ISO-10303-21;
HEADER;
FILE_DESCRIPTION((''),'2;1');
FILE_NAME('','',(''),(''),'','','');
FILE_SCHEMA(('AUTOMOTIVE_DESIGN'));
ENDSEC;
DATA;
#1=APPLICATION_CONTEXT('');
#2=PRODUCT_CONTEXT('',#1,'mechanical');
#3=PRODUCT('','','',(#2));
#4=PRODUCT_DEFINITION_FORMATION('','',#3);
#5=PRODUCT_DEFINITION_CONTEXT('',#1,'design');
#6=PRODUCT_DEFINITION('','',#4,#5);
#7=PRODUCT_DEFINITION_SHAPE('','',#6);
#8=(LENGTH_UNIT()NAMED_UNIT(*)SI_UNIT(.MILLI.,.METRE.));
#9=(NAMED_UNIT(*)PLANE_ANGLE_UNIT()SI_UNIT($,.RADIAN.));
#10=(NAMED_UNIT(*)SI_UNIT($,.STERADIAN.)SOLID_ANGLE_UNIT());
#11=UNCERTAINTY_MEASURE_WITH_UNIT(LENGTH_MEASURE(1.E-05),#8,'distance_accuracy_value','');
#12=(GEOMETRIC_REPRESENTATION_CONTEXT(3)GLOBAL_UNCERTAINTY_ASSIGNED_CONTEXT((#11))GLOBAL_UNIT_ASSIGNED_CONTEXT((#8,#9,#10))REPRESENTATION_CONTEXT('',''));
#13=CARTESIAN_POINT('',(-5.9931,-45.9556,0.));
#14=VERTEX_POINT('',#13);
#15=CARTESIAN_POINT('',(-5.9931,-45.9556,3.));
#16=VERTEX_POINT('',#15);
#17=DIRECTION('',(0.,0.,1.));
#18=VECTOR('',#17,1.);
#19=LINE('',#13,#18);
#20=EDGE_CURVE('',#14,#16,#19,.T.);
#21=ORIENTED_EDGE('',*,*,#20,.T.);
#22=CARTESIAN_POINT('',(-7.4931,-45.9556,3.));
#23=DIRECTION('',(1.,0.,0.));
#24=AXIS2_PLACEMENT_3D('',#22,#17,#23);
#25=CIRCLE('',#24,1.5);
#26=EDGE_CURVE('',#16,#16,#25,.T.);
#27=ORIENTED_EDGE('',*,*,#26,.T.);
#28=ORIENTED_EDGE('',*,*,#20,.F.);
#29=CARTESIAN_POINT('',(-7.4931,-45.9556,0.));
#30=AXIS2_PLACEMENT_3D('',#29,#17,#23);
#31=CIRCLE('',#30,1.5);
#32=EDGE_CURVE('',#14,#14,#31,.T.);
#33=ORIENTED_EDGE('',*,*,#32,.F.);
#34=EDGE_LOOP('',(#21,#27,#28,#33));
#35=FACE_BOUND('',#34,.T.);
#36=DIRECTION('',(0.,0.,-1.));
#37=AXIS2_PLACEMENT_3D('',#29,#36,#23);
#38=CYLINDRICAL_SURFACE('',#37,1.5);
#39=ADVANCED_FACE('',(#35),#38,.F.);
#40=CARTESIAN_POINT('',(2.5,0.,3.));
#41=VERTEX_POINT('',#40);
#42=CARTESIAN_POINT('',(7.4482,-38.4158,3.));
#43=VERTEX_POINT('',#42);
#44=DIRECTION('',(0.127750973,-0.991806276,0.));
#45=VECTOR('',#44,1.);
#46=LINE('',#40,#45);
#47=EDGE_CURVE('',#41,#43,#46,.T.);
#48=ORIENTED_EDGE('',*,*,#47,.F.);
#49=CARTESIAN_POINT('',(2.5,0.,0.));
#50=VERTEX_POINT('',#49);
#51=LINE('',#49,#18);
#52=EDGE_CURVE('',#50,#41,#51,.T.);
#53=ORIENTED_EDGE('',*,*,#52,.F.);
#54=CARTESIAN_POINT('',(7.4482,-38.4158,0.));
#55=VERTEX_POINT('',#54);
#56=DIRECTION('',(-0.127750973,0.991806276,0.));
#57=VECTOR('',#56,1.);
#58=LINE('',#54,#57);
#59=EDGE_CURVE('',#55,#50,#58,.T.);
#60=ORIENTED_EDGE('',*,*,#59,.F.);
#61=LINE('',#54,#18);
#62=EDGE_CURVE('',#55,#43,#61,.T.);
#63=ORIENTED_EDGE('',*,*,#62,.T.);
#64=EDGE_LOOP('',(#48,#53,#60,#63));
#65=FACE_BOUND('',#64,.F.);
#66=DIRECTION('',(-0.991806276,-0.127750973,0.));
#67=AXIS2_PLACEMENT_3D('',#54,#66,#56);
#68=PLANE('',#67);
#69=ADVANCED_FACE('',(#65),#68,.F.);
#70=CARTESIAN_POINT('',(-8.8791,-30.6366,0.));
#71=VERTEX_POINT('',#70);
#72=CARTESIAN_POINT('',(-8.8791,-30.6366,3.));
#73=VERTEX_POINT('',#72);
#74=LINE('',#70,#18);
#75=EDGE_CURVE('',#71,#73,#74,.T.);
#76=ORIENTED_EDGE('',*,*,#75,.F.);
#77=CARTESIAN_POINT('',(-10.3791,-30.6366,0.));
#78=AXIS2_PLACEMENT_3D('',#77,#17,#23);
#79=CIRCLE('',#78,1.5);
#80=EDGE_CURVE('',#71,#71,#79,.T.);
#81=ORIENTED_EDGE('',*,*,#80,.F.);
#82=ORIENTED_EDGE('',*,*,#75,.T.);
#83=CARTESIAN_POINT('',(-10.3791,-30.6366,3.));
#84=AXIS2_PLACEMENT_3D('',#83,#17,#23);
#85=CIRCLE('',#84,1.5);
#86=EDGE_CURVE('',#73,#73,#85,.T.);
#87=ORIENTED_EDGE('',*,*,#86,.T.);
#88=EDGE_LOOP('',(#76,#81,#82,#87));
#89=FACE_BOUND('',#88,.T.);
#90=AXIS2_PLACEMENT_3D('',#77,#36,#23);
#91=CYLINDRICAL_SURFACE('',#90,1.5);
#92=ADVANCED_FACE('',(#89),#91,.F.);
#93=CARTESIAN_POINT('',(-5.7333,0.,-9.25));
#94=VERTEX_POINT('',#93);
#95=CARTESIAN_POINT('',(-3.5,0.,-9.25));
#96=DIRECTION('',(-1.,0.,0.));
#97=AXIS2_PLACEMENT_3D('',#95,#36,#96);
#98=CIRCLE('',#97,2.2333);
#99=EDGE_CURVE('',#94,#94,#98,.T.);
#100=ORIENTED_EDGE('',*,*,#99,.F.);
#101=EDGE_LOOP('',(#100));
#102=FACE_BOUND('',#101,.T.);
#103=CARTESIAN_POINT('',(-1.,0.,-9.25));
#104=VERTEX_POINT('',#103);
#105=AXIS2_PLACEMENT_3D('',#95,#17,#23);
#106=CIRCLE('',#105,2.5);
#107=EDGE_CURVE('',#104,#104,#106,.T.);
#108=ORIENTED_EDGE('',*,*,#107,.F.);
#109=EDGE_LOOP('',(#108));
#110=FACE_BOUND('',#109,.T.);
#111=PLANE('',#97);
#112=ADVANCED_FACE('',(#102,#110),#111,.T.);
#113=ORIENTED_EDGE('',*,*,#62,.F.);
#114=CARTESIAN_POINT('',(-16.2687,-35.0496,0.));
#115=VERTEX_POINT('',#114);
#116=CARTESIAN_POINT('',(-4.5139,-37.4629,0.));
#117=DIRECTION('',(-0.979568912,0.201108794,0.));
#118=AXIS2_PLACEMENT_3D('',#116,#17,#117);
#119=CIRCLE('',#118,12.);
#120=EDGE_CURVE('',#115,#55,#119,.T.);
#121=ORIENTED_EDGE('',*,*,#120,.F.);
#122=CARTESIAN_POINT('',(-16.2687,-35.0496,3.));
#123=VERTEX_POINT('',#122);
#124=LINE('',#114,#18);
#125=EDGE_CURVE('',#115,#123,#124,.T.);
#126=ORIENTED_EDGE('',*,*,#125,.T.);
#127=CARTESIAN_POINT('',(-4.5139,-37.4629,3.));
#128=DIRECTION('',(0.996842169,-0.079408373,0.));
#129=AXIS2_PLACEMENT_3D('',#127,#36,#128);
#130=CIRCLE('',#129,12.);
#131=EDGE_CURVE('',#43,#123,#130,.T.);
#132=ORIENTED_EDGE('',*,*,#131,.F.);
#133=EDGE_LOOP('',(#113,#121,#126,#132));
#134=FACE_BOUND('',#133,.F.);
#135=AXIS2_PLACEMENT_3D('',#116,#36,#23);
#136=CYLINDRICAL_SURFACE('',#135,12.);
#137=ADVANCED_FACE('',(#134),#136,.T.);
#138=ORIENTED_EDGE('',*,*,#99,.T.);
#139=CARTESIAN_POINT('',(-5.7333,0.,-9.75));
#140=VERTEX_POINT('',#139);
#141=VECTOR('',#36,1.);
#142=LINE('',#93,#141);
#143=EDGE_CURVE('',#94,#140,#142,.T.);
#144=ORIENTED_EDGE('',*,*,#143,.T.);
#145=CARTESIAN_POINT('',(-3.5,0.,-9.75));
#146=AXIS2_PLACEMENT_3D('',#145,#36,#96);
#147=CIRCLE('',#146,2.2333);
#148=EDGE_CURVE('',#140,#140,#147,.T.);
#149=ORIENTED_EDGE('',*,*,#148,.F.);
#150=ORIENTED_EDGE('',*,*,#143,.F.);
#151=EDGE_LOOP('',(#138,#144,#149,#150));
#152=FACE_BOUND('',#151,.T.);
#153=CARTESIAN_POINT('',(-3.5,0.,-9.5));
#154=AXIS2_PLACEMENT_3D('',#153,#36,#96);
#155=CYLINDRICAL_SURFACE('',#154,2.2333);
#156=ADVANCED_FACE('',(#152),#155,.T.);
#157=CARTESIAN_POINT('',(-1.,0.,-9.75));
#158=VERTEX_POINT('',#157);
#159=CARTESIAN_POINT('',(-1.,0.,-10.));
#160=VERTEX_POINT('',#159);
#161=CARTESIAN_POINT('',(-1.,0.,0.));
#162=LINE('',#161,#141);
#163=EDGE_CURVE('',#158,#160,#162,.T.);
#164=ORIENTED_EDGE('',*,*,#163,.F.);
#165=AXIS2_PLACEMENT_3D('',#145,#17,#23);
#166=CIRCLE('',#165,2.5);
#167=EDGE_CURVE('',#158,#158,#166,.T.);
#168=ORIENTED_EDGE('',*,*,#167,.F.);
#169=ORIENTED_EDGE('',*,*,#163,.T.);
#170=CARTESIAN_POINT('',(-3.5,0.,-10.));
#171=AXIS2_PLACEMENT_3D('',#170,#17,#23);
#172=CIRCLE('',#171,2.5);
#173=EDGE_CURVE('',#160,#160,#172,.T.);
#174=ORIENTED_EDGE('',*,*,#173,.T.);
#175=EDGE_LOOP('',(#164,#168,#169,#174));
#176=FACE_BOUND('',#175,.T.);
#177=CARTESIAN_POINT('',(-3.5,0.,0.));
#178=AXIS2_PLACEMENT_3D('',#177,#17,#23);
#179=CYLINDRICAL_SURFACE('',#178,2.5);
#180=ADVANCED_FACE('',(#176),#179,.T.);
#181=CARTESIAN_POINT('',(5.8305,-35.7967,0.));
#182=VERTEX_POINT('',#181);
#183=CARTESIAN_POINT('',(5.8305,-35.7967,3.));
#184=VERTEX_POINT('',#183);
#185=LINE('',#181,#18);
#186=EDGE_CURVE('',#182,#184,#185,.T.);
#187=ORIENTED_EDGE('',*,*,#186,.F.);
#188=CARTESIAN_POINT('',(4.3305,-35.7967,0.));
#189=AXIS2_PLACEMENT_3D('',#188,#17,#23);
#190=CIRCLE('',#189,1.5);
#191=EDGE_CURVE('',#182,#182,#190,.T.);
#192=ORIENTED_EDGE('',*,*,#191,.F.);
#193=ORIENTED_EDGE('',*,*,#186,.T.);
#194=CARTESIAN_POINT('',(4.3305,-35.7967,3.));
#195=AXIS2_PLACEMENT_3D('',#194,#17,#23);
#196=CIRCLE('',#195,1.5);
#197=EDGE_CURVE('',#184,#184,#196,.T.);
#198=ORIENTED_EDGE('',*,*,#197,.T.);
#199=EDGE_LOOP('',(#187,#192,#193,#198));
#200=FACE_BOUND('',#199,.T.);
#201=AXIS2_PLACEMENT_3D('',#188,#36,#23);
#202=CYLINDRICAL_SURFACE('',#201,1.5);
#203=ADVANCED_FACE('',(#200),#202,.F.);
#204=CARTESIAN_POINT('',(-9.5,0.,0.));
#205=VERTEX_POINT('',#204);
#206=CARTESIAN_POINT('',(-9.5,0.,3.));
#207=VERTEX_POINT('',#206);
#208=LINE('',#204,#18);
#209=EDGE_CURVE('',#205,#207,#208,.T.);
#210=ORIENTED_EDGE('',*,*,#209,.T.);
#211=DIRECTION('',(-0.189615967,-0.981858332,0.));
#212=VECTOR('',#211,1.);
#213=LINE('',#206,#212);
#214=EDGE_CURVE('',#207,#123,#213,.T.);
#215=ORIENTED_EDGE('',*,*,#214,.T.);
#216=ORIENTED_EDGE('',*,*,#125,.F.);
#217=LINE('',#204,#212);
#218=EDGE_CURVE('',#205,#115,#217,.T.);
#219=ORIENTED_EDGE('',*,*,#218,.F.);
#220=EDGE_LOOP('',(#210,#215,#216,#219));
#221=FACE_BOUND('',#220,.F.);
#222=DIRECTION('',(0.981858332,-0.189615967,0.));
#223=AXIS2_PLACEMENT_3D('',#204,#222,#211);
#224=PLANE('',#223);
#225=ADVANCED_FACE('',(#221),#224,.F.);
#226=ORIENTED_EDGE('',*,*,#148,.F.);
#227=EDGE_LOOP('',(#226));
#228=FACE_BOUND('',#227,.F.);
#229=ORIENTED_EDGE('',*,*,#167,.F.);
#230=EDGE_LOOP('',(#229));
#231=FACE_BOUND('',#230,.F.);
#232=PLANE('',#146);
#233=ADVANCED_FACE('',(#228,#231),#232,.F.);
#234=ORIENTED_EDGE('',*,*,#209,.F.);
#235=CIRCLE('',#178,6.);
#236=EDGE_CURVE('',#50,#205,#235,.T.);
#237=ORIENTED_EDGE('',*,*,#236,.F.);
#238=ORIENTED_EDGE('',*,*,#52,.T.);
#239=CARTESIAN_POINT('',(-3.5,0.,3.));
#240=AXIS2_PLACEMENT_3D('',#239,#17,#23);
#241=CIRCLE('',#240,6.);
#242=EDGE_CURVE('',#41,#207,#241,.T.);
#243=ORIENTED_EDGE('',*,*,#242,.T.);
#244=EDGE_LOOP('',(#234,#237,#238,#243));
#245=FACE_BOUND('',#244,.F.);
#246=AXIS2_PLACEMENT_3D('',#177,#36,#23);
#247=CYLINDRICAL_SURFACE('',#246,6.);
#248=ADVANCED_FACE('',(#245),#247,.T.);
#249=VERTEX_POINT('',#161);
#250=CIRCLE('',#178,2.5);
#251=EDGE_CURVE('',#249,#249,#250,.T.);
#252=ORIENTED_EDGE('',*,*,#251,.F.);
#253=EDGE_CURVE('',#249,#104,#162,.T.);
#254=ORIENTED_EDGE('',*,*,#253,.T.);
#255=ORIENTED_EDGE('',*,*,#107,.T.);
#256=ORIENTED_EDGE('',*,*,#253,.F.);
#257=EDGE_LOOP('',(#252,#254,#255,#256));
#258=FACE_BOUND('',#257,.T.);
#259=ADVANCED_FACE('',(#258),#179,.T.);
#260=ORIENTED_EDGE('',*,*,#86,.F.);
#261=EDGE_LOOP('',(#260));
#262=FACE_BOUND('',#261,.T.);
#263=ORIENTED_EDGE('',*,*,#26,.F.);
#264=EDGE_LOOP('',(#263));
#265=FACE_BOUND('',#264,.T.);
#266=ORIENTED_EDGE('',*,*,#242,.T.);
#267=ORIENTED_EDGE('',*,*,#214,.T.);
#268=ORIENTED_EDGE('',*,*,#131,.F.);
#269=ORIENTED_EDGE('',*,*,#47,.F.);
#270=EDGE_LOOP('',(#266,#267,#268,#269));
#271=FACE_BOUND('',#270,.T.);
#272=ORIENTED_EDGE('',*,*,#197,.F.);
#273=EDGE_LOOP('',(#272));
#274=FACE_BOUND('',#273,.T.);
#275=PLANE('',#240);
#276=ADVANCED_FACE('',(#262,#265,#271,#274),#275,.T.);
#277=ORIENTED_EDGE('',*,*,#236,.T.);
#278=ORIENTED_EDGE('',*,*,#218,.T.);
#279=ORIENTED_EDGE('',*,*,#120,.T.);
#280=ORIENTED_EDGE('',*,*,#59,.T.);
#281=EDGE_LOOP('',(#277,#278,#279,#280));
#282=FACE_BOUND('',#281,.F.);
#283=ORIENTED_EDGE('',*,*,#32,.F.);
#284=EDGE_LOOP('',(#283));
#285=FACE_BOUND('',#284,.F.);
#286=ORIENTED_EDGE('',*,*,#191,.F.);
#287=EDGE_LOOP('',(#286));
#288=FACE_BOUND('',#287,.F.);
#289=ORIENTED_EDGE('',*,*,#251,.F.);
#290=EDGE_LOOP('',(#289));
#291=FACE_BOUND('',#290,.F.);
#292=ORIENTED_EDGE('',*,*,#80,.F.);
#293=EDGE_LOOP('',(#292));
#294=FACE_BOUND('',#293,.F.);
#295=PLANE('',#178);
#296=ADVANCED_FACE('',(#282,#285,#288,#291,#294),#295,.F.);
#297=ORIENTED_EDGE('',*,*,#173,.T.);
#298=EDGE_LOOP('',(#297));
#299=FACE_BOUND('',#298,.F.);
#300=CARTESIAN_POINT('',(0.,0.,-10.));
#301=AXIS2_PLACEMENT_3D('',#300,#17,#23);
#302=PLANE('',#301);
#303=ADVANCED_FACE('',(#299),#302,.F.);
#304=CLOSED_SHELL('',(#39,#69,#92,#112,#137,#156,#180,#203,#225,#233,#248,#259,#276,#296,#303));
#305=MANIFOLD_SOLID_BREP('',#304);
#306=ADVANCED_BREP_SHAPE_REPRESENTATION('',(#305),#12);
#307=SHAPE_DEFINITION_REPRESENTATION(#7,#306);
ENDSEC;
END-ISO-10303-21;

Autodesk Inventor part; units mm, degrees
ref_plane "YZ Plane" through (0, 0, 0) normal (1, 0, 0) x (0, 1, 0)
ref_plane "XZ Plane" through (0, 0, 0) normal (0, 1, 0) x (-1, 0, 0)
sketch "Esquisse1" plane through (0, 0, 0) normal (0, 0, 1) x (1, 0, 0)
  circle A0 centre (-3.5, 0) radius 2.5 projected
  circle A1 centre (-3.5, 0) radius 2.5
  point P0 (0, 0)
ref_plane "Plan de construction1" through (-13, -9.5, -10) normal (0, 0, -1) x (0, 1, 0)
extrude "Extrusion1" add sketch "Esquisse1" against normal up to surface (10 mm away)
ref_plane "Plan de construction2" through (-3.5, 0, -9.5) normal (0, 0, -1) x (-1, 0, 0)
sketch "Esquisse2" plane through (-3.5, 0, -9.5) normal (0, 0, -1) x (-1, 0, 0)
  circle A0 centre (0, 0) radius 2.5
  circle A1 centre (0, 0) radius 2.2333
  point P0 (-3.5, 0)
extrude "Extrusion2" cut sketch "Esquisse2" along normal mid plane 0.5
sketch "Esquisxse8" plane through (-3.5, 0, 0) normal (0, 0, 1) x (1, 0, 0)
  circle A0 centre (-1.0139, -37.4629) radius 12 projected
  circle A1 centre (-6.8791, -30.6366) radius 1.5 projected
  circle A2 centre (-3.9931, -45.9556) radius 1.5 projected
  circle A3 centre (7.8305, -35.7967) radius 1.5 projected
  circle A4 centre (0, 0) radius 2.5 projected
  arc A5 (6, 0) -> (-6, 0) centre (0, 0) ccw
  arc A6 (-12.7687, -35.0496) -> (10.3163, -33.5099) centre (-1.0139, -37.4629) ccw
  circle A7 centre (-3.9931, -45.9556) radius 1.5
  circle A8 centre (-6.8791, -30.6366) radius 1.5
  circle A9 centre (7.8305, -35.7967) radius 1.5
  line L0 (10.9482, -38.4158) -> (6, 0)
  line L1 (-6, 0) -> (-12.8221, -35.3258)
  point P0 (3.5, 0)
  dimension "d15" = 12
extrude "Extrusion6" add sketch "Esquisxse8" along normal blind 3 contours L0 A0 | A0 L1 A5 L0 picked at (-1.038, -37.5266)
sketch "Esquisse9" plane through (-3.5, 0, 3) normal (0, 0, 1) x (1, 0, 0)
  circle A0 centre (0, 0) radius 2.5 projected
  circle A1 centre (0, 0) radius 2.5
  point P0 (3.5, 0)
extrude "Extrusion7" add sketch "Esquisse9" against normal blind 10
properties part number "bras_codeur"
